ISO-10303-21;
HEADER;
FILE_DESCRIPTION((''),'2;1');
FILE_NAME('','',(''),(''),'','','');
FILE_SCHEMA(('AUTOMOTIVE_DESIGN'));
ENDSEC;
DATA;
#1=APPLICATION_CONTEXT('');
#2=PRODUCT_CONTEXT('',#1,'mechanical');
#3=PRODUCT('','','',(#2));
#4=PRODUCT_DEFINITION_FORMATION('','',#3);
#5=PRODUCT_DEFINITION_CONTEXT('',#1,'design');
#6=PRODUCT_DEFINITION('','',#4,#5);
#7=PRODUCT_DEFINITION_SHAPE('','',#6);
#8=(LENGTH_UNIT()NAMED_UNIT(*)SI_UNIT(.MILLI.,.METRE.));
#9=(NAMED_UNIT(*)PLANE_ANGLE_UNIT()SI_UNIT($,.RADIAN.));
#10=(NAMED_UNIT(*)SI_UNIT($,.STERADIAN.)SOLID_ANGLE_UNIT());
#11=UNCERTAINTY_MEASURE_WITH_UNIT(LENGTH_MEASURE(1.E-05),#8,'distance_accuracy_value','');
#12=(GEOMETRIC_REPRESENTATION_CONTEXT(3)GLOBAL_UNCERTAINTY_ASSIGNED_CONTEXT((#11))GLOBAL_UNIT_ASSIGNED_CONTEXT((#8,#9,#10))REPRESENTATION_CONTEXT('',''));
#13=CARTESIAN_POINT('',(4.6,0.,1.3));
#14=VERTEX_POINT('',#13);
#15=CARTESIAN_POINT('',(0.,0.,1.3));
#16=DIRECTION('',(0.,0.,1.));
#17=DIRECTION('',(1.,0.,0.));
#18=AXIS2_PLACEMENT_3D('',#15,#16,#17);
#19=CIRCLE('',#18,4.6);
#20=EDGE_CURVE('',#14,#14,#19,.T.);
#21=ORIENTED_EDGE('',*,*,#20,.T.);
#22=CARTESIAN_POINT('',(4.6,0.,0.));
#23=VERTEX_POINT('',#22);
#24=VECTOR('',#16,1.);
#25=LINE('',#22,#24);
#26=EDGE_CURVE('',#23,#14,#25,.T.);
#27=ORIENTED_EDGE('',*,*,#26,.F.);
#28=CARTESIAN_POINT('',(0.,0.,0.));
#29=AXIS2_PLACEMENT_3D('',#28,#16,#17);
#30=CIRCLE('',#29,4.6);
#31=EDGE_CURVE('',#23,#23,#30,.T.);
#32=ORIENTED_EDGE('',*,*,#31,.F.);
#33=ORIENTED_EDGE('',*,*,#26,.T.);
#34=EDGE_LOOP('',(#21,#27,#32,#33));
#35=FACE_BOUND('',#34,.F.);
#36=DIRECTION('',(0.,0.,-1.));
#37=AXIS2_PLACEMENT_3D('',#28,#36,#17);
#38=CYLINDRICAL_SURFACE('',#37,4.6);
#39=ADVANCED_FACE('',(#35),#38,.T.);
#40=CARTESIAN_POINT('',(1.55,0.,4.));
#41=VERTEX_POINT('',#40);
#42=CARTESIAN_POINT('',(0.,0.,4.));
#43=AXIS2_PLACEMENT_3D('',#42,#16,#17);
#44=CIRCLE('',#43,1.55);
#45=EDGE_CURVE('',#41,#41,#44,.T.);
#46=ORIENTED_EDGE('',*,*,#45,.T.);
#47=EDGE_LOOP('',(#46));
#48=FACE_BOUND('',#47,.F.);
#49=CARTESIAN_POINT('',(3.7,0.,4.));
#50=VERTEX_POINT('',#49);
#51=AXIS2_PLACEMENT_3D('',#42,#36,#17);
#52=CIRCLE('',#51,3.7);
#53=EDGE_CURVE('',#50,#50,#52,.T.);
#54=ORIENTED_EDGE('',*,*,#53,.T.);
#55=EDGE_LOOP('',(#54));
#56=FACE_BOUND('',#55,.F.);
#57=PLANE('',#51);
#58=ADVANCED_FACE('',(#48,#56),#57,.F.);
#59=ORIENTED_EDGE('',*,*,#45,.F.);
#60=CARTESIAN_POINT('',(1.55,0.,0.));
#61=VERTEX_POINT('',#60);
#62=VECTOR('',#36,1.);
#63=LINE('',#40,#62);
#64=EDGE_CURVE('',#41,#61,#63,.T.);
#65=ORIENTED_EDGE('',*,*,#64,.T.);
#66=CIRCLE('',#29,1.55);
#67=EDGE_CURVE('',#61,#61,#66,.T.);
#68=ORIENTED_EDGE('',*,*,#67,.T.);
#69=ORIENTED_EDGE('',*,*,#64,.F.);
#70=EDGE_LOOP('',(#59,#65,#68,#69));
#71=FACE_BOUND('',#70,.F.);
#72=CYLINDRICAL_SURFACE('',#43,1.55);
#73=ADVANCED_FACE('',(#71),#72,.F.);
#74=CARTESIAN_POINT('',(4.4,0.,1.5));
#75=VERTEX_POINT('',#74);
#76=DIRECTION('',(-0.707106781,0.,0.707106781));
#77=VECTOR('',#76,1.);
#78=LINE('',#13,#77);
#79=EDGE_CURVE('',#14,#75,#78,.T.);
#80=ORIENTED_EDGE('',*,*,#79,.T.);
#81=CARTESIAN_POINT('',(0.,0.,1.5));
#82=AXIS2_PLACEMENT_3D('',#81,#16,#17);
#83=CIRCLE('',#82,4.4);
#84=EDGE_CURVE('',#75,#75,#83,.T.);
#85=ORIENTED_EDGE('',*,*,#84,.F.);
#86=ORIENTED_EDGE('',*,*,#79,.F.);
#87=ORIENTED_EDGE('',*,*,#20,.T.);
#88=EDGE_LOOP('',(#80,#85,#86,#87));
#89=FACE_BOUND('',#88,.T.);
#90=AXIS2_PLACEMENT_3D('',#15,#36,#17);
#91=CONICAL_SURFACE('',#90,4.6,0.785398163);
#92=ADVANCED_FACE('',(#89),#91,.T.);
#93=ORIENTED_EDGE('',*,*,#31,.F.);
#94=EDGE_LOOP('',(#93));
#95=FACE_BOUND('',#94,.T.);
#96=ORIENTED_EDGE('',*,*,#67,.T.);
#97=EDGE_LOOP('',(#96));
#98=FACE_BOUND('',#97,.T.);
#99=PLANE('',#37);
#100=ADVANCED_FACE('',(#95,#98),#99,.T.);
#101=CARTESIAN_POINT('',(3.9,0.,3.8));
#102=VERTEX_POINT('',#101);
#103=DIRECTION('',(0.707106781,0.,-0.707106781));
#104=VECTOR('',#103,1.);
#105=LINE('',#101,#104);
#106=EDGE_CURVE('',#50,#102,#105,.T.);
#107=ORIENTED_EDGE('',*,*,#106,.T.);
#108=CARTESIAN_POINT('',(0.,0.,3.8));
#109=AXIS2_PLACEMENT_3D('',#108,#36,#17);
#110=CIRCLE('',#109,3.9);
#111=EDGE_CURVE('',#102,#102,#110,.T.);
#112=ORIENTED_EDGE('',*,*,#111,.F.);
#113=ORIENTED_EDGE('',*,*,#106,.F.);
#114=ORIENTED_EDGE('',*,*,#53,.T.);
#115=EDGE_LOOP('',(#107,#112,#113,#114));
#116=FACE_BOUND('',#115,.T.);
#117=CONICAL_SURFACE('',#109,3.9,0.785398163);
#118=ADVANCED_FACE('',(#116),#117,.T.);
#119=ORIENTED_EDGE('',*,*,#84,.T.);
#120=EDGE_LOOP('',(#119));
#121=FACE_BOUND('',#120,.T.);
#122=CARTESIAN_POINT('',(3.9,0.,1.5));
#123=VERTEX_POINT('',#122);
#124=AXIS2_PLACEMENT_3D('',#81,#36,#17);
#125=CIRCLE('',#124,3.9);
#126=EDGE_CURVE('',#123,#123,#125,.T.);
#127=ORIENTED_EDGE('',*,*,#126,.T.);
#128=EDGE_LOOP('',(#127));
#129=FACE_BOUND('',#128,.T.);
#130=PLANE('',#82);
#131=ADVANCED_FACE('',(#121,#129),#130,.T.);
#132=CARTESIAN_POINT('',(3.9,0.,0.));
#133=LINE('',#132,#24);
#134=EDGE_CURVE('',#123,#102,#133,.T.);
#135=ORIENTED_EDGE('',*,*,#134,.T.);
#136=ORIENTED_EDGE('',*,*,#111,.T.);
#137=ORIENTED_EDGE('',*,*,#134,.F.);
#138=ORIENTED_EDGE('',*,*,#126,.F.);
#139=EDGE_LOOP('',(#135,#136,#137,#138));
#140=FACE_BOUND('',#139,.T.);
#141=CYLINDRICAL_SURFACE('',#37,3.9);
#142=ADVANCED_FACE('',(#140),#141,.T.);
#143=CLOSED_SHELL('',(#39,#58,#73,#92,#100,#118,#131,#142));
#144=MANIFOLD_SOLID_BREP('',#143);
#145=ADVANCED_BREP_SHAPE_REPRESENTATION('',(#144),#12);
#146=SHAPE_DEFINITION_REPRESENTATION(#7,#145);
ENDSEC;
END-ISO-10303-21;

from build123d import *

# Parameters (mm, degrees)
SKETCH137_R     = 4.6
PAD045_DEPTH    = 1.5
SKETCH138_R     = 3.9
PAD046_DEPTH    = 4
SKETCH139_R     = 1.55
POCKET092_DEPTH = 13
CHAMFER003_SIZE = 0.2


with BuildPart() as part:
    # Sketch137 → Pad045 (new body)
    with BuildSketch(Plane.XY):
        Circle(SKETCH137_R)
    extrude(amount=PAD045_DEPTH)

    # Sketch138 (on Face2 of Pad045) → Pad046 (join)
    with BuildSketch(Plane(origin=(0, 0, 0), x_dir=(1, 0, 0), z_dir=(0, 0, -1))):
        Circle(SKETCH138_R)
    extrude(amount=-PAD046_DEPTH)

    # Sketch139 (on Face4 of Pad046) → Pocket092 (cut)
    with BuildSketch(Plane.XY.offset(4)):
        Circle(SKETCH139_R)
    extrude(amount=-POCKET092_DEPTH, mode=Mode.SUBTRACT)

    # Chamfer003
    chamfer003_edges = [part.edges().sort_by_distance(p)[0] for p in [
        (-3.9, 0, 4),
        (-4.6, 0, 1.5),
    ]]
    chamfer(chamfer003_edges, length=CHAMFER003_SIZE)


solid = part.part
